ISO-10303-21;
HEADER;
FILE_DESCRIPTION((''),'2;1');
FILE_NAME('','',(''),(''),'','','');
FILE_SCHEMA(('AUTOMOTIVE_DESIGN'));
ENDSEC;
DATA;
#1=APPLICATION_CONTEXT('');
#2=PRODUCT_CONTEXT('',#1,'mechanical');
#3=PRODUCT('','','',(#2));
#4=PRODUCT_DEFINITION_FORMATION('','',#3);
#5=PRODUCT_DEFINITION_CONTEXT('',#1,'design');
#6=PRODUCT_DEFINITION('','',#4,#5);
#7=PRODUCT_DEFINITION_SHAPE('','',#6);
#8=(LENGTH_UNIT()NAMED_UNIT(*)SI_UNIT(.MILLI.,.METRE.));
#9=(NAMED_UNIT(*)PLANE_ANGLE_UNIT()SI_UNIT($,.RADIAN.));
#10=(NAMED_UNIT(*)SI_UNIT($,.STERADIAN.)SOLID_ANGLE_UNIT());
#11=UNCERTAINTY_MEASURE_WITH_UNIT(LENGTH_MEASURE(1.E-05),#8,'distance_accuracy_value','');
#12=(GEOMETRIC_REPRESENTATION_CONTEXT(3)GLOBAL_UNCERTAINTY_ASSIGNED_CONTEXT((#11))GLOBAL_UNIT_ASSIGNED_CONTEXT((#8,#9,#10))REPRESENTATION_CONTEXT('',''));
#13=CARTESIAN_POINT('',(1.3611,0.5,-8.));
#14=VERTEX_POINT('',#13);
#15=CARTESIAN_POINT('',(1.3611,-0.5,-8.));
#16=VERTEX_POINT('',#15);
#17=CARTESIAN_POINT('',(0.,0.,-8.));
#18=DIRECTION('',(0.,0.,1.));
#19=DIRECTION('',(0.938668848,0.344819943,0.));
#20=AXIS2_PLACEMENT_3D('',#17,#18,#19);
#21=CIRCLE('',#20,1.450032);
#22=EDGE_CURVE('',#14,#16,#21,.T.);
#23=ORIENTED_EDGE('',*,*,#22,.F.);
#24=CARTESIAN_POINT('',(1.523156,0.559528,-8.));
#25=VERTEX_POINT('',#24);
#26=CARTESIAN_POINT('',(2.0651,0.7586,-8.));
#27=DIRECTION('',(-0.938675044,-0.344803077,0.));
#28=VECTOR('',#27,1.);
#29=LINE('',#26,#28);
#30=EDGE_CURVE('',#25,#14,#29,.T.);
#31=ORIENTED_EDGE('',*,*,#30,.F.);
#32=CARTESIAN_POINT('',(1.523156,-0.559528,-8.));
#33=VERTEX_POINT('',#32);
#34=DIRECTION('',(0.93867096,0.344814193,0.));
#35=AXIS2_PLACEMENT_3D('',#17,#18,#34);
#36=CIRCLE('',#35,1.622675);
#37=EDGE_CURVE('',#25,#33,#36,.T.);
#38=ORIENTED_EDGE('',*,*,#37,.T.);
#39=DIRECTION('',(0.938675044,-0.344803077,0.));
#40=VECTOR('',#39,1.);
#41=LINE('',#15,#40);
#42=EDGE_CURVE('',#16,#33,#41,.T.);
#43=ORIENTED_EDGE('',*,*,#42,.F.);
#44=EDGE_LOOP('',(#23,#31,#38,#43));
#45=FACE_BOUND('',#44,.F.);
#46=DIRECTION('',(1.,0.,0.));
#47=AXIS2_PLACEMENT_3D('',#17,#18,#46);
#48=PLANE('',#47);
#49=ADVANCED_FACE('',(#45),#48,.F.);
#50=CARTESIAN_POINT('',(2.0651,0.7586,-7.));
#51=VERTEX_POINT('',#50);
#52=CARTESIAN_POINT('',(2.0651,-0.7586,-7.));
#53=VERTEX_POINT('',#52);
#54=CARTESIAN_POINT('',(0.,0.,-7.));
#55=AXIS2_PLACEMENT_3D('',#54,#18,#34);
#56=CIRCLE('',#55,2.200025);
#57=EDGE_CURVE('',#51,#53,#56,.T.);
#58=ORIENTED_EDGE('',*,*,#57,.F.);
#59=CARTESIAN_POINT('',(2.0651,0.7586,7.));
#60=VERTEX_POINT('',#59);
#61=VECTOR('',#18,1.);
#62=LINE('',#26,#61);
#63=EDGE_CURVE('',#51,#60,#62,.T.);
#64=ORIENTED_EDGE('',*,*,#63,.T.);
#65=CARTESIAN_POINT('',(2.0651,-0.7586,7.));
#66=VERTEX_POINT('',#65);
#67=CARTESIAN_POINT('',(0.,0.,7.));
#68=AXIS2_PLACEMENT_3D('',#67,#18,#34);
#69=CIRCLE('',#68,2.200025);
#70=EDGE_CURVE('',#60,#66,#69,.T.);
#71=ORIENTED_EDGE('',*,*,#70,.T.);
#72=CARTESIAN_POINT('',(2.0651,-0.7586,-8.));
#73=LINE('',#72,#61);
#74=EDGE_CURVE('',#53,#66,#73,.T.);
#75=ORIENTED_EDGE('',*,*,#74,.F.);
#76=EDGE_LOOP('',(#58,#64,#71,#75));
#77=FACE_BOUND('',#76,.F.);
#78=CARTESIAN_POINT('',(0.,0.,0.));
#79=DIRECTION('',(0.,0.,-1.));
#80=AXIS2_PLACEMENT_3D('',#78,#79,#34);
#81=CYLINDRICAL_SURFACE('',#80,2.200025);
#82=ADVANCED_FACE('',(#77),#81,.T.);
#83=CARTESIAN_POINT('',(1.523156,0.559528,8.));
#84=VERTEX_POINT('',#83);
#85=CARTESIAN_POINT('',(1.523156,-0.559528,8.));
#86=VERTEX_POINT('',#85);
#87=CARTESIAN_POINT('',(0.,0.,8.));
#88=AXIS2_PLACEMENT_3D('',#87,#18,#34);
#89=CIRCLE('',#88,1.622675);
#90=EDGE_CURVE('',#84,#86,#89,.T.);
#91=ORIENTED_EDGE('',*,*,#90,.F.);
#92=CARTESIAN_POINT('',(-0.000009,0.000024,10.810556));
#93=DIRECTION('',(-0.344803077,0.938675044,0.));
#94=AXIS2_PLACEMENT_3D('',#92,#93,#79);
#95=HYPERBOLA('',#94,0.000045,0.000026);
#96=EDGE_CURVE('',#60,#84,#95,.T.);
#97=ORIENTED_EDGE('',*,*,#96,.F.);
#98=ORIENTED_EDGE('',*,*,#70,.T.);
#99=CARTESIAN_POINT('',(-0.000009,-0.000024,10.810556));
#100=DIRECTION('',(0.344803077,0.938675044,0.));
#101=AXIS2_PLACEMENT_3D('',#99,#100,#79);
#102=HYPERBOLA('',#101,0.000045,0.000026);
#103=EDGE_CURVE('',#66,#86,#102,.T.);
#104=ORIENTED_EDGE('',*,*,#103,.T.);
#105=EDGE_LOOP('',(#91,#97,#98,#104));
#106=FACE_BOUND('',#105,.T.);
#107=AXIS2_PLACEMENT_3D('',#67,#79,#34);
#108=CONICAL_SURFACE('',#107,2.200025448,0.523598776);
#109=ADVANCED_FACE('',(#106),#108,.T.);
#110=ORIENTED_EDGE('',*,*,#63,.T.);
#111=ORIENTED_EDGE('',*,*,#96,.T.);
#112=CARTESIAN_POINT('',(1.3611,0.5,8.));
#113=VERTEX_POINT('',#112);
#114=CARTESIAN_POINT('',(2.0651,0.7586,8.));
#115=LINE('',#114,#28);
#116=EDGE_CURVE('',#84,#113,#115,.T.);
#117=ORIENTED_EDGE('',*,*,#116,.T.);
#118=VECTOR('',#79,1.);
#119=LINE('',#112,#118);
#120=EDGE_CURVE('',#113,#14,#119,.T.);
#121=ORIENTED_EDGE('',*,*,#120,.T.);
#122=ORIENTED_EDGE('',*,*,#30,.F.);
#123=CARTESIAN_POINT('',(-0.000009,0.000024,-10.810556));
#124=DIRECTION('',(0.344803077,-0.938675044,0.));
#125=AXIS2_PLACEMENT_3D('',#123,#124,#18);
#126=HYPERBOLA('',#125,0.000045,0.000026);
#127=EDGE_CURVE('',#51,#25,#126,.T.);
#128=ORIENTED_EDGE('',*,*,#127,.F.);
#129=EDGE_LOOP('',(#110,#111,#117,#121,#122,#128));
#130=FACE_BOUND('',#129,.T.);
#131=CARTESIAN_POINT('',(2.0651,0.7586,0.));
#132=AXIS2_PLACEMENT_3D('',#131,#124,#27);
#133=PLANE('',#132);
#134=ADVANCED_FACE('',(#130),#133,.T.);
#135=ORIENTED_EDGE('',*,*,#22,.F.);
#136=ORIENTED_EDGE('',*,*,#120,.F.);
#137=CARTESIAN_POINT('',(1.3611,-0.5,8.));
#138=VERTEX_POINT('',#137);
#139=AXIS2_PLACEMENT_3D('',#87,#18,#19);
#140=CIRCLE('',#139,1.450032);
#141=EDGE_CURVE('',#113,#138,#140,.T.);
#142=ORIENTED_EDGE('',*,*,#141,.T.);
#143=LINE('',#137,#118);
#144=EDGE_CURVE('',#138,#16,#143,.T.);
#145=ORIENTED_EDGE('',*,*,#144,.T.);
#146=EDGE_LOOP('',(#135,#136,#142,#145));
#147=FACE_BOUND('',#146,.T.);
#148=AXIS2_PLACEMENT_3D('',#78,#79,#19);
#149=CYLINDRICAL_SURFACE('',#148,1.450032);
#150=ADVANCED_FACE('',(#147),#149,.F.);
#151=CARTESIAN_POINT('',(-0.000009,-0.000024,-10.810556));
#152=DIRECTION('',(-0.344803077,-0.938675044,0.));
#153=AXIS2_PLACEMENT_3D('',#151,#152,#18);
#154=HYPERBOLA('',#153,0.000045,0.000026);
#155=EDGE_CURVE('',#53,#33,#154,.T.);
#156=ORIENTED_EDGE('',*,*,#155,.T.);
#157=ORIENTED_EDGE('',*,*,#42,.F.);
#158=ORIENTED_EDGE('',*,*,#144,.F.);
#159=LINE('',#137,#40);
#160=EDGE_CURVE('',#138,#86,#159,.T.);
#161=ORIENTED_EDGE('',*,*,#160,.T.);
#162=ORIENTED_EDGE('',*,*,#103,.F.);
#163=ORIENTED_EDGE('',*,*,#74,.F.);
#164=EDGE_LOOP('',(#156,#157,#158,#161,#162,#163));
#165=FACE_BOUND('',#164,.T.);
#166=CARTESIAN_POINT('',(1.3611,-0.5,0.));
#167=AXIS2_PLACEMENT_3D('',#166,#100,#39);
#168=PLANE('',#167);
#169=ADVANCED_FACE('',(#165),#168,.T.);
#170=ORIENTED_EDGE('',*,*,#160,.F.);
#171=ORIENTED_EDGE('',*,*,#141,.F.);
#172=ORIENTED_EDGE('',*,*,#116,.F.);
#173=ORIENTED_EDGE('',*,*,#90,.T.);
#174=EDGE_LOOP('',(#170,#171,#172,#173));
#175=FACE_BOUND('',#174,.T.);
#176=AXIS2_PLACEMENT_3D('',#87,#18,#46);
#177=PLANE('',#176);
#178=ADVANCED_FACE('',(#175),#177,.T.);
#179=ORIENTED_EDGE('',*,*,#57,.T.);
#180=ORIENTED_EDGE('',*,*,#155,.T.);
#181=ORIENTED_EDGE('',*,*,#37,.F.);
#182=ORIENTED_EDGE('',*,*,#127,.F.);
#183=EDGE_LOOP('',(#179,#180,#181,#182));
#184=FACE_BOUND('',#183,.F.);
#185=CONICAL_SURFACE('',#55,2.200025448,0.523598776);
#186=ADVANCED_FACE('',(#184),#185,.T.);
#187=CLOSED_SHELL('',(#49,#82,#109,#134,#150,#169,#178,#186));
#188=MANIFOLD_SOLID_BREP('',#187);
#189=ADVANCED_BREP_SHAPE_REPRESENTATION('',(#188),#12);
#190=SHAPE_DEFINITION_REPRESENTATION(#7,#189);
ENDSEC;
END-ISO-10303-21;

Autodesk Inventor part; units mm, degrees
ref_plane "YZ Plane" through (0, 0, 0) normal (1, 0, 0) x (0, 1, 0)
ref_plane "XZ Plane" through (0, 0, 0) normal (0, 1, 0) x (-1, 0, 0)
ref_plane "XY Plane" through (0, 0, 0) normal (0, 0, 1) x (1, 0, 0)
sketch "Sketch1" plane through (0, 0, 0) normal (0, 0, 1) x (1, 0, 0)
  arc A0 (2.0651, 0.7586) -> (2.0651, -0.7586) centre (0, 0) ccw
  arc A1 (1.3611, 0.5) -> (1.3611, -0.5) centre (0, 0) ccw
  line L0 (2.0651, 0.7586) -> (1.3611, 0.5)
  line L1 (0, 0) -> (1.3611, -0.5) construction
  line L2 (1.3611, 0.5) -> (0, 0) construction
  line L3 (1.3611, -0.5) -> (2.0651, -0.7586)
  line L4 (-3.053, 0) -> (2.9181, 0) construction
  dimension "d0" = 4.4
  dimension "d1" = 2.9
  dimension "d2" = 1
extrude "Extrusion1" add sketch "Sketch1" along normal mid plane 16
chamfer "Chamfer1" distance 1 angle 30 2 edges at (-2.2, 0, 8) (-2.2, 0, -8) measured on face at (-1.7005, -1.3958, -2.6667)
properties material "ABS Plastic"
